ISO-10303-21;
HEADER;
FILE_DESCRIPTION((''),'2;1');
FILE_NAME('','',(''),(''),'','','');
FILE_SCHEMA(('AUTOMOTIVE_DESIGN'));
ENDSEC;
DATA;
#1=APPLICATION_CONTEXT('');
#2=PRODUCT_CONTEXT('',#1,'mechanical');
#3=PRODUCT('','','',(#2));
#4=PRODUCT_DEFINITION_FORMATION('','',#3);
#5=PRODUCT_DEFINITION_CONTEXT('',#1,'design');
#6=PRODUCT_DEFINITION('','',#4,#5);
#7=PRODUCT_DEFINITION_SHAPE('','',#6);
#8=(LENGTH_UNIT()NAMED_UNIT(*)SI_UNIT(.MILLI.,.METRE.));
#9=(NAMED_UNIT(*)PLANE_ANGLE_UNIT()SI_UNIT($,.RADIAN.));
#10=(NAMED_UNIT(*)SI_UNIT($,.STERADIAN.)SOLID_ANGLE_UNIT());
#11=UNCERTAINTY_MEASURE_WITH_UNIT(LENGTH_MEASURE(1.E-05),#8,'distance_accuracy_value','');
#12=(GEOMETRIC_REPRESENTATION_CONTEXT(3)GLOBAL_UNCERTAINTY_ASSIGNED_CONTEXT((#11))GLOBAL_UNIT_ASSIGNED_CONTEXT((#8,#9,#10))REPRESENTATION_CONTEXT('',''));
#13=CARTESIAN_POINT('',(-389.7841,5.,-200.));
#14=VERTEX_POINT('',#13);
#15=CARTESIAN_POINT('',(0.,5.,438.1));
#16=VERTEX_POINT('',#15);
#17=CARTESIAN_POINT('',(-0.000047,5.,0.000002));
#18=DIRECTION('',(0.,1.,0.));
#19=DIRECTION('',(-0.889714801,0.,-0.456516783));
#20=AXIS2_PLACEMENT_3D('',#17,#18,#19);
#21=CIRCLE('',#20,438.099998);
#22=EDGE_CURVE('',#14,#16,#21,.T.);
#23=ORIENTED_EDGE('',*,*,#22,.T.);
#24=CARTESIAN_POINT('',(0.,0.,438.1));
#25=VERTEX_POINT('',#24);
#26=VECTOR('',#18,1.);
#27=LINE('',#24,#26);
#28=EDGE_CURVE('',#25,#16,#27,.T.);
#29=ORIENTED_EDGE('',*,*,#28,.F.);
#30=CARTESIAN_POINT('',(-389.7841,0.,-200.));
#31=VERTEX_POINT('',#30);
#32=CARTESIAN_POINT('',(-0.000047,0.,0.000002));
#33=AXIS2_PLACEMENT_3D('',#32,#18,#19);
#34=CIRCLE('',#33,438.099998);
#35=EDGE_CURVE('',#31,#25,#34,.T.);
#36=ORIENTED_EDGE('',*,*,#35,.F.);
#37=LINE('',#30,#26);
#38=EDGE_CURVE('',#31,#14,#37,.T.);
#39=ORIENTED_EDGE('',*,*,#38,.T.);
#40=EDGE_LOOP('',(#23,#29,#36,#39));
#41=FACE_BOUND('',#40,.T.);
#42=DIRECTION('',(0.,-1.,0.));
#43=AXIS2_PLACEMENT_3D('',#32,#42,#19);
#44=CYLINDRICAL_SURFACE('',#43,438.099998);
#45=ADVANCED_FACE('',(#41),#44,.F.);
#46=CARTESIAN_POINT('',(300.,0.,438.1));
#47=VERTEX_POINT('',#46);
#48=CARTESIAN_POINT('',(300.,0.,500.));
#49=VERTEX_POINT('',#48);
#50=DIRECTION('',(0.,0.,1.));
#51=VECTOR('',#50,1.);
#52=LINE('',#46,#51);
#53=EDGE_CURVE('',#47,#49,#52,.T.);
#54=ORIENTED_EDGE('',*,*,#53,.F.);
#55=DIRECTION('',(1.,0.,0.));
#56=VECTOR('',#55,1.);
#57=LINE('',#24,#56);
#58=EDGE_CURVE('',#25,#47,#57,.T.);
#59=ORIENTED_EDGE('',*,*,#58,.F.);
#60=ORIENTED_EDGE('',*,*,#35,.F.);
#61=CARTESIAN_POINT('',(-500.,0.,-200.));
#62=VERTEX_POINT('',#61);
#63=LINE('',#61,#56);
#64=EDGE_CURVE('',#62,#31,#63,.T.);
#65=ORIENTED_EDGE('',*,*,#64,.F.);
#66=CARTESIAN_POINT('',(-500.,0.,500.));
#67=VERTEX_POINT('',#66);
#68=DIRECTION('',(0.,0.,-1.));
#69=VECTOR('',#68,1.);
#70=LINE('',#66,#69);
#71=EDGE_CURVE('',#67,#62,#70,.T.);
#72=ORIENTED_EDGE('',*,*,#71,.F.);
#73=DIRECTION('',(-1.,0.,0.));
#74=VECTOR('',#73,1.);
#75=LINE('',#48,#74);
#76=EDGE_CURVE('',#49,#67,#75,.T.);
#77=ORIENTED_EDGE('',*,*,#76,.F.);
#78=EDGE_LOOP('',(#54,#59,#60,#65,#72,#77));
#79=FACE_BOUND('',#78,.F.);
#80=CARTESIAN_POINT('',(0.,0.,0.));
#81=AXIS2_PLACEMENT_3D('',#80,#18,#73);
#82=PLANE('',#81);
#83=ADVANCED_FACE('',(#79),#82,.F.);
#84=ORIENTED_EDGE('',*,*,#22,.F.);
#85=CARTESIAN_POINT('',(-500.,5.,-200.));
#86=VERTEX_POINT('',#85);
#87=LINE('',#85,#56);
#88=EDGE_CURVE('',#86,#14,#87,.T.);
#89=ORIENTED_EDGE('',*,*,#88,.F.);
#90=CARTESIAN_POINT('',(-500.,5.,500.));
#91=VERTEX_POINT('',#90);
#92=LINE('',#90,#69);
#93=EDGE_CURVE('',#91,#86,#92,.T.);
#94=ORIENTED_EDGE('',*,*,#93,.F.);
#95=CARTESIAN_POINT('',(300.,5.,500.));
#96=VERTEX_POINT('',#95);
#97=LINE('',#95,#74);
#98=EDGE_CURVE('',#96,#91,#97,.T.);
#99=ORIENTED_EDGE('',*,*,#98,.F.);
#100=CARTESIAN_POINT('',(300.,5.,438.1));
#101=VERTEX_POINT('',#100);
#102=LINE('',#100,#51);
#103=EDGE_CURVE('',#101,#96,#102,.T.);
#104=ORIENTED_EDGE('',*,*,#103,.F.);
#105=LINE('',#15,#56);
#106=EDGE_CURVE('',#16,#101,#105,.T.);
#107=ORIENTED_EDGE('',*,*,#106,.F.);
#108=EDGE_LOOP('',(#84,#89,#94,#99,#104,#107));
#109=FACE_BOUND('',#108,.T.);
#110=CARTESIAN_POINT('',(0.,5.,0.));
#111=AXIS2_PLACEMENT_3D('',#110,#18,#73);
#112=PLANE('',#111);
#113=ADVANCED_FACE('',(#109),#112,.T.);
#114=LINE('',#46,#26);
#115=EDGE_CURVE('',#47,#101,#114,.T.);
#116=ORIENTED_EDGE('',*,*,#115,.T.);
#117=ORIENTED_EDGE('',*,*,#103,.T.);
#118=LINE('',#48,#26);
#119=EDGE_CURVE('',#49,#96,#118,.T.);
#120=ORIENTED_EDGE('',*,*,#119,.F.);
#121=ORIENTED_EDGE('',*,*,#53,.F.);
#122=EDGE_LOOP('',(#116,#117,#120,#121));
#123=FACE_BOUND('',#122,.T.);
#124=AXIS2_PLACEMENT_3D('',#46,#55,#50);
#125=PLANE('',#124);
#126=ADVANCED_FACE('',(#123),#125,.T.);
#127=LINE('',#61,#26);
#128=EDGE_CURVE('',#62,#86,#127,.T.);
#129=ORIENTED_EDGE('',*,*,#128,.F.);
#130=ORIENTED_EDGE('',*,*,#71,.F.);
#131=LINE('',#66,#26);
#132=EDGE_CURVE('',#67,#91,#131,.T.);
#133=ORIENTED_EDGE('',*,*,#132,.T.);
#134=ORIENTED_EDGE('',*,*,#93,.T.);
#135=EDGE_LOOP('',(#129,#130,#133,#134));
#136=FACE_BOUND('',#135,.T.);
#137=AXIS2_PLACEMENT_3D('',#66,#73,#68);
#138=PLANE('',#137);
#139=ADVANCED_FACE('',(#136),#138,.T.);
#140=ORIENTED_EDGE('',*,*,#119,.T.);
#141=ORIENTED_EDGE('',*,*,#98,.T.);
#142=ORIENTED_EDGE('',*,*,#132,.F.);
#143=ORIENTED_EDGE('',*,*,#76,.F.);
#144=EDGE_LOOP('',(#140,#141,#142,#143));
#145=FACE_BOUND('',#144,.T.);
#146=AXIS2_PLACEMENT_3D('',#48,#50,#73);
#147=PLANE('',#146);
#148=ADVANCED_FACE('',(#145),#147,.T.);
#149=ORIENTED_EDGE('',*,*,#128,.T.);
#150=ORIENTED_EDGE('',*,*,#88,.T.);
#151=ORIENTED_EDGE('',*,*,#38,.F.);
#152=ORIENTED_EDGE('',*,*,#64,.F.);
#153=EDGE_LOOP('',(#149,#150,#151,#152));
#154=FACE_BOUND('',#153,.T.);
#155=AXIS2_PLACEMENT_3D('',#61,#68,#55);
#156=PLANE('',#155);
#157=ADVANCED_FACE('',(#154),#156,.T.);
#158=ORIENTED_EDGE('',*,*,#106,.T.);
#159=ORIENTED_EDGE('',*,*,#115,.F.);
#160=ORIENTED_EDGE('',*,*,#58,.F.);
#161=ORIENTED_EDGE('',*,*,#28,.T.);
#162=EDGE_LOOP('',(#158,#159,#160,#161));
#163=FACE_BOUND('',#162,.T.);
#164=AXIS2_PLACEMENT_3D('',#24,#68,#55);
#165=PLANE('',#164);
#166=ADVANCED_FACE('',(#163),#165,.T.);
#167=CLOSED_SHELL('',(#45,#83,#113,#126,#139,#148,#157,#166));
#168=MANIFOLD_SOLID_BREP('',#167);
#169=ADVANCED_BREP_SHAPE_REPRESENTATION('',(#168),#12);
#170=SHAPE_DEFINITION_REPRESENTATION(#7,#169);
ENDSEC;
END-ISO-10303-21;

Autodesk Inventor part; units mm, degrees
ref_plane "YZ Plane" through (0, 0, 0) normal (1, 0, 0) x (0, 1, 0)
ref_plane "XZ Plane" through (0, 0, 0) normal (0, 1, 0) x (-1, 0, 0)
ref_plane "XY Plane" through (0, 0, 0) normal (0, 0, 1) x (1, 0, 0)
sketch "Sketch1" plane through (0, 0, 0) normal (0, 1, 0) x (-1, 0, 0)
  line L0 (0, -151.455) -> (0, 151.455) construction
  line L1 (30.6851, 0) -> (-30.6851, 0) construction
  arc A0 (389.7841, -200) -> (0, 438.1) centre (0, 0) ccw
  line L2 (0, 438.1) -> (-300, 438.1)
  line L3 (-300, 438.1) -> (-300, 500)
  line L4 (-300, 500) -> (500, 500)
  line L5 (500, 500) -> (500, -200)
  line L6 (500, -200) -> (389.7841, -200)
  dimension "d0" = 876.2
  dimension "d8" = 500
  dimension "d9" = 500
  dimension "d10" = 700
  dimension "d11" = 300
extrude "Extrusion1" add sketch "Sketch1" along normal blind 5
properties part number "WoodBoundaryV1"
